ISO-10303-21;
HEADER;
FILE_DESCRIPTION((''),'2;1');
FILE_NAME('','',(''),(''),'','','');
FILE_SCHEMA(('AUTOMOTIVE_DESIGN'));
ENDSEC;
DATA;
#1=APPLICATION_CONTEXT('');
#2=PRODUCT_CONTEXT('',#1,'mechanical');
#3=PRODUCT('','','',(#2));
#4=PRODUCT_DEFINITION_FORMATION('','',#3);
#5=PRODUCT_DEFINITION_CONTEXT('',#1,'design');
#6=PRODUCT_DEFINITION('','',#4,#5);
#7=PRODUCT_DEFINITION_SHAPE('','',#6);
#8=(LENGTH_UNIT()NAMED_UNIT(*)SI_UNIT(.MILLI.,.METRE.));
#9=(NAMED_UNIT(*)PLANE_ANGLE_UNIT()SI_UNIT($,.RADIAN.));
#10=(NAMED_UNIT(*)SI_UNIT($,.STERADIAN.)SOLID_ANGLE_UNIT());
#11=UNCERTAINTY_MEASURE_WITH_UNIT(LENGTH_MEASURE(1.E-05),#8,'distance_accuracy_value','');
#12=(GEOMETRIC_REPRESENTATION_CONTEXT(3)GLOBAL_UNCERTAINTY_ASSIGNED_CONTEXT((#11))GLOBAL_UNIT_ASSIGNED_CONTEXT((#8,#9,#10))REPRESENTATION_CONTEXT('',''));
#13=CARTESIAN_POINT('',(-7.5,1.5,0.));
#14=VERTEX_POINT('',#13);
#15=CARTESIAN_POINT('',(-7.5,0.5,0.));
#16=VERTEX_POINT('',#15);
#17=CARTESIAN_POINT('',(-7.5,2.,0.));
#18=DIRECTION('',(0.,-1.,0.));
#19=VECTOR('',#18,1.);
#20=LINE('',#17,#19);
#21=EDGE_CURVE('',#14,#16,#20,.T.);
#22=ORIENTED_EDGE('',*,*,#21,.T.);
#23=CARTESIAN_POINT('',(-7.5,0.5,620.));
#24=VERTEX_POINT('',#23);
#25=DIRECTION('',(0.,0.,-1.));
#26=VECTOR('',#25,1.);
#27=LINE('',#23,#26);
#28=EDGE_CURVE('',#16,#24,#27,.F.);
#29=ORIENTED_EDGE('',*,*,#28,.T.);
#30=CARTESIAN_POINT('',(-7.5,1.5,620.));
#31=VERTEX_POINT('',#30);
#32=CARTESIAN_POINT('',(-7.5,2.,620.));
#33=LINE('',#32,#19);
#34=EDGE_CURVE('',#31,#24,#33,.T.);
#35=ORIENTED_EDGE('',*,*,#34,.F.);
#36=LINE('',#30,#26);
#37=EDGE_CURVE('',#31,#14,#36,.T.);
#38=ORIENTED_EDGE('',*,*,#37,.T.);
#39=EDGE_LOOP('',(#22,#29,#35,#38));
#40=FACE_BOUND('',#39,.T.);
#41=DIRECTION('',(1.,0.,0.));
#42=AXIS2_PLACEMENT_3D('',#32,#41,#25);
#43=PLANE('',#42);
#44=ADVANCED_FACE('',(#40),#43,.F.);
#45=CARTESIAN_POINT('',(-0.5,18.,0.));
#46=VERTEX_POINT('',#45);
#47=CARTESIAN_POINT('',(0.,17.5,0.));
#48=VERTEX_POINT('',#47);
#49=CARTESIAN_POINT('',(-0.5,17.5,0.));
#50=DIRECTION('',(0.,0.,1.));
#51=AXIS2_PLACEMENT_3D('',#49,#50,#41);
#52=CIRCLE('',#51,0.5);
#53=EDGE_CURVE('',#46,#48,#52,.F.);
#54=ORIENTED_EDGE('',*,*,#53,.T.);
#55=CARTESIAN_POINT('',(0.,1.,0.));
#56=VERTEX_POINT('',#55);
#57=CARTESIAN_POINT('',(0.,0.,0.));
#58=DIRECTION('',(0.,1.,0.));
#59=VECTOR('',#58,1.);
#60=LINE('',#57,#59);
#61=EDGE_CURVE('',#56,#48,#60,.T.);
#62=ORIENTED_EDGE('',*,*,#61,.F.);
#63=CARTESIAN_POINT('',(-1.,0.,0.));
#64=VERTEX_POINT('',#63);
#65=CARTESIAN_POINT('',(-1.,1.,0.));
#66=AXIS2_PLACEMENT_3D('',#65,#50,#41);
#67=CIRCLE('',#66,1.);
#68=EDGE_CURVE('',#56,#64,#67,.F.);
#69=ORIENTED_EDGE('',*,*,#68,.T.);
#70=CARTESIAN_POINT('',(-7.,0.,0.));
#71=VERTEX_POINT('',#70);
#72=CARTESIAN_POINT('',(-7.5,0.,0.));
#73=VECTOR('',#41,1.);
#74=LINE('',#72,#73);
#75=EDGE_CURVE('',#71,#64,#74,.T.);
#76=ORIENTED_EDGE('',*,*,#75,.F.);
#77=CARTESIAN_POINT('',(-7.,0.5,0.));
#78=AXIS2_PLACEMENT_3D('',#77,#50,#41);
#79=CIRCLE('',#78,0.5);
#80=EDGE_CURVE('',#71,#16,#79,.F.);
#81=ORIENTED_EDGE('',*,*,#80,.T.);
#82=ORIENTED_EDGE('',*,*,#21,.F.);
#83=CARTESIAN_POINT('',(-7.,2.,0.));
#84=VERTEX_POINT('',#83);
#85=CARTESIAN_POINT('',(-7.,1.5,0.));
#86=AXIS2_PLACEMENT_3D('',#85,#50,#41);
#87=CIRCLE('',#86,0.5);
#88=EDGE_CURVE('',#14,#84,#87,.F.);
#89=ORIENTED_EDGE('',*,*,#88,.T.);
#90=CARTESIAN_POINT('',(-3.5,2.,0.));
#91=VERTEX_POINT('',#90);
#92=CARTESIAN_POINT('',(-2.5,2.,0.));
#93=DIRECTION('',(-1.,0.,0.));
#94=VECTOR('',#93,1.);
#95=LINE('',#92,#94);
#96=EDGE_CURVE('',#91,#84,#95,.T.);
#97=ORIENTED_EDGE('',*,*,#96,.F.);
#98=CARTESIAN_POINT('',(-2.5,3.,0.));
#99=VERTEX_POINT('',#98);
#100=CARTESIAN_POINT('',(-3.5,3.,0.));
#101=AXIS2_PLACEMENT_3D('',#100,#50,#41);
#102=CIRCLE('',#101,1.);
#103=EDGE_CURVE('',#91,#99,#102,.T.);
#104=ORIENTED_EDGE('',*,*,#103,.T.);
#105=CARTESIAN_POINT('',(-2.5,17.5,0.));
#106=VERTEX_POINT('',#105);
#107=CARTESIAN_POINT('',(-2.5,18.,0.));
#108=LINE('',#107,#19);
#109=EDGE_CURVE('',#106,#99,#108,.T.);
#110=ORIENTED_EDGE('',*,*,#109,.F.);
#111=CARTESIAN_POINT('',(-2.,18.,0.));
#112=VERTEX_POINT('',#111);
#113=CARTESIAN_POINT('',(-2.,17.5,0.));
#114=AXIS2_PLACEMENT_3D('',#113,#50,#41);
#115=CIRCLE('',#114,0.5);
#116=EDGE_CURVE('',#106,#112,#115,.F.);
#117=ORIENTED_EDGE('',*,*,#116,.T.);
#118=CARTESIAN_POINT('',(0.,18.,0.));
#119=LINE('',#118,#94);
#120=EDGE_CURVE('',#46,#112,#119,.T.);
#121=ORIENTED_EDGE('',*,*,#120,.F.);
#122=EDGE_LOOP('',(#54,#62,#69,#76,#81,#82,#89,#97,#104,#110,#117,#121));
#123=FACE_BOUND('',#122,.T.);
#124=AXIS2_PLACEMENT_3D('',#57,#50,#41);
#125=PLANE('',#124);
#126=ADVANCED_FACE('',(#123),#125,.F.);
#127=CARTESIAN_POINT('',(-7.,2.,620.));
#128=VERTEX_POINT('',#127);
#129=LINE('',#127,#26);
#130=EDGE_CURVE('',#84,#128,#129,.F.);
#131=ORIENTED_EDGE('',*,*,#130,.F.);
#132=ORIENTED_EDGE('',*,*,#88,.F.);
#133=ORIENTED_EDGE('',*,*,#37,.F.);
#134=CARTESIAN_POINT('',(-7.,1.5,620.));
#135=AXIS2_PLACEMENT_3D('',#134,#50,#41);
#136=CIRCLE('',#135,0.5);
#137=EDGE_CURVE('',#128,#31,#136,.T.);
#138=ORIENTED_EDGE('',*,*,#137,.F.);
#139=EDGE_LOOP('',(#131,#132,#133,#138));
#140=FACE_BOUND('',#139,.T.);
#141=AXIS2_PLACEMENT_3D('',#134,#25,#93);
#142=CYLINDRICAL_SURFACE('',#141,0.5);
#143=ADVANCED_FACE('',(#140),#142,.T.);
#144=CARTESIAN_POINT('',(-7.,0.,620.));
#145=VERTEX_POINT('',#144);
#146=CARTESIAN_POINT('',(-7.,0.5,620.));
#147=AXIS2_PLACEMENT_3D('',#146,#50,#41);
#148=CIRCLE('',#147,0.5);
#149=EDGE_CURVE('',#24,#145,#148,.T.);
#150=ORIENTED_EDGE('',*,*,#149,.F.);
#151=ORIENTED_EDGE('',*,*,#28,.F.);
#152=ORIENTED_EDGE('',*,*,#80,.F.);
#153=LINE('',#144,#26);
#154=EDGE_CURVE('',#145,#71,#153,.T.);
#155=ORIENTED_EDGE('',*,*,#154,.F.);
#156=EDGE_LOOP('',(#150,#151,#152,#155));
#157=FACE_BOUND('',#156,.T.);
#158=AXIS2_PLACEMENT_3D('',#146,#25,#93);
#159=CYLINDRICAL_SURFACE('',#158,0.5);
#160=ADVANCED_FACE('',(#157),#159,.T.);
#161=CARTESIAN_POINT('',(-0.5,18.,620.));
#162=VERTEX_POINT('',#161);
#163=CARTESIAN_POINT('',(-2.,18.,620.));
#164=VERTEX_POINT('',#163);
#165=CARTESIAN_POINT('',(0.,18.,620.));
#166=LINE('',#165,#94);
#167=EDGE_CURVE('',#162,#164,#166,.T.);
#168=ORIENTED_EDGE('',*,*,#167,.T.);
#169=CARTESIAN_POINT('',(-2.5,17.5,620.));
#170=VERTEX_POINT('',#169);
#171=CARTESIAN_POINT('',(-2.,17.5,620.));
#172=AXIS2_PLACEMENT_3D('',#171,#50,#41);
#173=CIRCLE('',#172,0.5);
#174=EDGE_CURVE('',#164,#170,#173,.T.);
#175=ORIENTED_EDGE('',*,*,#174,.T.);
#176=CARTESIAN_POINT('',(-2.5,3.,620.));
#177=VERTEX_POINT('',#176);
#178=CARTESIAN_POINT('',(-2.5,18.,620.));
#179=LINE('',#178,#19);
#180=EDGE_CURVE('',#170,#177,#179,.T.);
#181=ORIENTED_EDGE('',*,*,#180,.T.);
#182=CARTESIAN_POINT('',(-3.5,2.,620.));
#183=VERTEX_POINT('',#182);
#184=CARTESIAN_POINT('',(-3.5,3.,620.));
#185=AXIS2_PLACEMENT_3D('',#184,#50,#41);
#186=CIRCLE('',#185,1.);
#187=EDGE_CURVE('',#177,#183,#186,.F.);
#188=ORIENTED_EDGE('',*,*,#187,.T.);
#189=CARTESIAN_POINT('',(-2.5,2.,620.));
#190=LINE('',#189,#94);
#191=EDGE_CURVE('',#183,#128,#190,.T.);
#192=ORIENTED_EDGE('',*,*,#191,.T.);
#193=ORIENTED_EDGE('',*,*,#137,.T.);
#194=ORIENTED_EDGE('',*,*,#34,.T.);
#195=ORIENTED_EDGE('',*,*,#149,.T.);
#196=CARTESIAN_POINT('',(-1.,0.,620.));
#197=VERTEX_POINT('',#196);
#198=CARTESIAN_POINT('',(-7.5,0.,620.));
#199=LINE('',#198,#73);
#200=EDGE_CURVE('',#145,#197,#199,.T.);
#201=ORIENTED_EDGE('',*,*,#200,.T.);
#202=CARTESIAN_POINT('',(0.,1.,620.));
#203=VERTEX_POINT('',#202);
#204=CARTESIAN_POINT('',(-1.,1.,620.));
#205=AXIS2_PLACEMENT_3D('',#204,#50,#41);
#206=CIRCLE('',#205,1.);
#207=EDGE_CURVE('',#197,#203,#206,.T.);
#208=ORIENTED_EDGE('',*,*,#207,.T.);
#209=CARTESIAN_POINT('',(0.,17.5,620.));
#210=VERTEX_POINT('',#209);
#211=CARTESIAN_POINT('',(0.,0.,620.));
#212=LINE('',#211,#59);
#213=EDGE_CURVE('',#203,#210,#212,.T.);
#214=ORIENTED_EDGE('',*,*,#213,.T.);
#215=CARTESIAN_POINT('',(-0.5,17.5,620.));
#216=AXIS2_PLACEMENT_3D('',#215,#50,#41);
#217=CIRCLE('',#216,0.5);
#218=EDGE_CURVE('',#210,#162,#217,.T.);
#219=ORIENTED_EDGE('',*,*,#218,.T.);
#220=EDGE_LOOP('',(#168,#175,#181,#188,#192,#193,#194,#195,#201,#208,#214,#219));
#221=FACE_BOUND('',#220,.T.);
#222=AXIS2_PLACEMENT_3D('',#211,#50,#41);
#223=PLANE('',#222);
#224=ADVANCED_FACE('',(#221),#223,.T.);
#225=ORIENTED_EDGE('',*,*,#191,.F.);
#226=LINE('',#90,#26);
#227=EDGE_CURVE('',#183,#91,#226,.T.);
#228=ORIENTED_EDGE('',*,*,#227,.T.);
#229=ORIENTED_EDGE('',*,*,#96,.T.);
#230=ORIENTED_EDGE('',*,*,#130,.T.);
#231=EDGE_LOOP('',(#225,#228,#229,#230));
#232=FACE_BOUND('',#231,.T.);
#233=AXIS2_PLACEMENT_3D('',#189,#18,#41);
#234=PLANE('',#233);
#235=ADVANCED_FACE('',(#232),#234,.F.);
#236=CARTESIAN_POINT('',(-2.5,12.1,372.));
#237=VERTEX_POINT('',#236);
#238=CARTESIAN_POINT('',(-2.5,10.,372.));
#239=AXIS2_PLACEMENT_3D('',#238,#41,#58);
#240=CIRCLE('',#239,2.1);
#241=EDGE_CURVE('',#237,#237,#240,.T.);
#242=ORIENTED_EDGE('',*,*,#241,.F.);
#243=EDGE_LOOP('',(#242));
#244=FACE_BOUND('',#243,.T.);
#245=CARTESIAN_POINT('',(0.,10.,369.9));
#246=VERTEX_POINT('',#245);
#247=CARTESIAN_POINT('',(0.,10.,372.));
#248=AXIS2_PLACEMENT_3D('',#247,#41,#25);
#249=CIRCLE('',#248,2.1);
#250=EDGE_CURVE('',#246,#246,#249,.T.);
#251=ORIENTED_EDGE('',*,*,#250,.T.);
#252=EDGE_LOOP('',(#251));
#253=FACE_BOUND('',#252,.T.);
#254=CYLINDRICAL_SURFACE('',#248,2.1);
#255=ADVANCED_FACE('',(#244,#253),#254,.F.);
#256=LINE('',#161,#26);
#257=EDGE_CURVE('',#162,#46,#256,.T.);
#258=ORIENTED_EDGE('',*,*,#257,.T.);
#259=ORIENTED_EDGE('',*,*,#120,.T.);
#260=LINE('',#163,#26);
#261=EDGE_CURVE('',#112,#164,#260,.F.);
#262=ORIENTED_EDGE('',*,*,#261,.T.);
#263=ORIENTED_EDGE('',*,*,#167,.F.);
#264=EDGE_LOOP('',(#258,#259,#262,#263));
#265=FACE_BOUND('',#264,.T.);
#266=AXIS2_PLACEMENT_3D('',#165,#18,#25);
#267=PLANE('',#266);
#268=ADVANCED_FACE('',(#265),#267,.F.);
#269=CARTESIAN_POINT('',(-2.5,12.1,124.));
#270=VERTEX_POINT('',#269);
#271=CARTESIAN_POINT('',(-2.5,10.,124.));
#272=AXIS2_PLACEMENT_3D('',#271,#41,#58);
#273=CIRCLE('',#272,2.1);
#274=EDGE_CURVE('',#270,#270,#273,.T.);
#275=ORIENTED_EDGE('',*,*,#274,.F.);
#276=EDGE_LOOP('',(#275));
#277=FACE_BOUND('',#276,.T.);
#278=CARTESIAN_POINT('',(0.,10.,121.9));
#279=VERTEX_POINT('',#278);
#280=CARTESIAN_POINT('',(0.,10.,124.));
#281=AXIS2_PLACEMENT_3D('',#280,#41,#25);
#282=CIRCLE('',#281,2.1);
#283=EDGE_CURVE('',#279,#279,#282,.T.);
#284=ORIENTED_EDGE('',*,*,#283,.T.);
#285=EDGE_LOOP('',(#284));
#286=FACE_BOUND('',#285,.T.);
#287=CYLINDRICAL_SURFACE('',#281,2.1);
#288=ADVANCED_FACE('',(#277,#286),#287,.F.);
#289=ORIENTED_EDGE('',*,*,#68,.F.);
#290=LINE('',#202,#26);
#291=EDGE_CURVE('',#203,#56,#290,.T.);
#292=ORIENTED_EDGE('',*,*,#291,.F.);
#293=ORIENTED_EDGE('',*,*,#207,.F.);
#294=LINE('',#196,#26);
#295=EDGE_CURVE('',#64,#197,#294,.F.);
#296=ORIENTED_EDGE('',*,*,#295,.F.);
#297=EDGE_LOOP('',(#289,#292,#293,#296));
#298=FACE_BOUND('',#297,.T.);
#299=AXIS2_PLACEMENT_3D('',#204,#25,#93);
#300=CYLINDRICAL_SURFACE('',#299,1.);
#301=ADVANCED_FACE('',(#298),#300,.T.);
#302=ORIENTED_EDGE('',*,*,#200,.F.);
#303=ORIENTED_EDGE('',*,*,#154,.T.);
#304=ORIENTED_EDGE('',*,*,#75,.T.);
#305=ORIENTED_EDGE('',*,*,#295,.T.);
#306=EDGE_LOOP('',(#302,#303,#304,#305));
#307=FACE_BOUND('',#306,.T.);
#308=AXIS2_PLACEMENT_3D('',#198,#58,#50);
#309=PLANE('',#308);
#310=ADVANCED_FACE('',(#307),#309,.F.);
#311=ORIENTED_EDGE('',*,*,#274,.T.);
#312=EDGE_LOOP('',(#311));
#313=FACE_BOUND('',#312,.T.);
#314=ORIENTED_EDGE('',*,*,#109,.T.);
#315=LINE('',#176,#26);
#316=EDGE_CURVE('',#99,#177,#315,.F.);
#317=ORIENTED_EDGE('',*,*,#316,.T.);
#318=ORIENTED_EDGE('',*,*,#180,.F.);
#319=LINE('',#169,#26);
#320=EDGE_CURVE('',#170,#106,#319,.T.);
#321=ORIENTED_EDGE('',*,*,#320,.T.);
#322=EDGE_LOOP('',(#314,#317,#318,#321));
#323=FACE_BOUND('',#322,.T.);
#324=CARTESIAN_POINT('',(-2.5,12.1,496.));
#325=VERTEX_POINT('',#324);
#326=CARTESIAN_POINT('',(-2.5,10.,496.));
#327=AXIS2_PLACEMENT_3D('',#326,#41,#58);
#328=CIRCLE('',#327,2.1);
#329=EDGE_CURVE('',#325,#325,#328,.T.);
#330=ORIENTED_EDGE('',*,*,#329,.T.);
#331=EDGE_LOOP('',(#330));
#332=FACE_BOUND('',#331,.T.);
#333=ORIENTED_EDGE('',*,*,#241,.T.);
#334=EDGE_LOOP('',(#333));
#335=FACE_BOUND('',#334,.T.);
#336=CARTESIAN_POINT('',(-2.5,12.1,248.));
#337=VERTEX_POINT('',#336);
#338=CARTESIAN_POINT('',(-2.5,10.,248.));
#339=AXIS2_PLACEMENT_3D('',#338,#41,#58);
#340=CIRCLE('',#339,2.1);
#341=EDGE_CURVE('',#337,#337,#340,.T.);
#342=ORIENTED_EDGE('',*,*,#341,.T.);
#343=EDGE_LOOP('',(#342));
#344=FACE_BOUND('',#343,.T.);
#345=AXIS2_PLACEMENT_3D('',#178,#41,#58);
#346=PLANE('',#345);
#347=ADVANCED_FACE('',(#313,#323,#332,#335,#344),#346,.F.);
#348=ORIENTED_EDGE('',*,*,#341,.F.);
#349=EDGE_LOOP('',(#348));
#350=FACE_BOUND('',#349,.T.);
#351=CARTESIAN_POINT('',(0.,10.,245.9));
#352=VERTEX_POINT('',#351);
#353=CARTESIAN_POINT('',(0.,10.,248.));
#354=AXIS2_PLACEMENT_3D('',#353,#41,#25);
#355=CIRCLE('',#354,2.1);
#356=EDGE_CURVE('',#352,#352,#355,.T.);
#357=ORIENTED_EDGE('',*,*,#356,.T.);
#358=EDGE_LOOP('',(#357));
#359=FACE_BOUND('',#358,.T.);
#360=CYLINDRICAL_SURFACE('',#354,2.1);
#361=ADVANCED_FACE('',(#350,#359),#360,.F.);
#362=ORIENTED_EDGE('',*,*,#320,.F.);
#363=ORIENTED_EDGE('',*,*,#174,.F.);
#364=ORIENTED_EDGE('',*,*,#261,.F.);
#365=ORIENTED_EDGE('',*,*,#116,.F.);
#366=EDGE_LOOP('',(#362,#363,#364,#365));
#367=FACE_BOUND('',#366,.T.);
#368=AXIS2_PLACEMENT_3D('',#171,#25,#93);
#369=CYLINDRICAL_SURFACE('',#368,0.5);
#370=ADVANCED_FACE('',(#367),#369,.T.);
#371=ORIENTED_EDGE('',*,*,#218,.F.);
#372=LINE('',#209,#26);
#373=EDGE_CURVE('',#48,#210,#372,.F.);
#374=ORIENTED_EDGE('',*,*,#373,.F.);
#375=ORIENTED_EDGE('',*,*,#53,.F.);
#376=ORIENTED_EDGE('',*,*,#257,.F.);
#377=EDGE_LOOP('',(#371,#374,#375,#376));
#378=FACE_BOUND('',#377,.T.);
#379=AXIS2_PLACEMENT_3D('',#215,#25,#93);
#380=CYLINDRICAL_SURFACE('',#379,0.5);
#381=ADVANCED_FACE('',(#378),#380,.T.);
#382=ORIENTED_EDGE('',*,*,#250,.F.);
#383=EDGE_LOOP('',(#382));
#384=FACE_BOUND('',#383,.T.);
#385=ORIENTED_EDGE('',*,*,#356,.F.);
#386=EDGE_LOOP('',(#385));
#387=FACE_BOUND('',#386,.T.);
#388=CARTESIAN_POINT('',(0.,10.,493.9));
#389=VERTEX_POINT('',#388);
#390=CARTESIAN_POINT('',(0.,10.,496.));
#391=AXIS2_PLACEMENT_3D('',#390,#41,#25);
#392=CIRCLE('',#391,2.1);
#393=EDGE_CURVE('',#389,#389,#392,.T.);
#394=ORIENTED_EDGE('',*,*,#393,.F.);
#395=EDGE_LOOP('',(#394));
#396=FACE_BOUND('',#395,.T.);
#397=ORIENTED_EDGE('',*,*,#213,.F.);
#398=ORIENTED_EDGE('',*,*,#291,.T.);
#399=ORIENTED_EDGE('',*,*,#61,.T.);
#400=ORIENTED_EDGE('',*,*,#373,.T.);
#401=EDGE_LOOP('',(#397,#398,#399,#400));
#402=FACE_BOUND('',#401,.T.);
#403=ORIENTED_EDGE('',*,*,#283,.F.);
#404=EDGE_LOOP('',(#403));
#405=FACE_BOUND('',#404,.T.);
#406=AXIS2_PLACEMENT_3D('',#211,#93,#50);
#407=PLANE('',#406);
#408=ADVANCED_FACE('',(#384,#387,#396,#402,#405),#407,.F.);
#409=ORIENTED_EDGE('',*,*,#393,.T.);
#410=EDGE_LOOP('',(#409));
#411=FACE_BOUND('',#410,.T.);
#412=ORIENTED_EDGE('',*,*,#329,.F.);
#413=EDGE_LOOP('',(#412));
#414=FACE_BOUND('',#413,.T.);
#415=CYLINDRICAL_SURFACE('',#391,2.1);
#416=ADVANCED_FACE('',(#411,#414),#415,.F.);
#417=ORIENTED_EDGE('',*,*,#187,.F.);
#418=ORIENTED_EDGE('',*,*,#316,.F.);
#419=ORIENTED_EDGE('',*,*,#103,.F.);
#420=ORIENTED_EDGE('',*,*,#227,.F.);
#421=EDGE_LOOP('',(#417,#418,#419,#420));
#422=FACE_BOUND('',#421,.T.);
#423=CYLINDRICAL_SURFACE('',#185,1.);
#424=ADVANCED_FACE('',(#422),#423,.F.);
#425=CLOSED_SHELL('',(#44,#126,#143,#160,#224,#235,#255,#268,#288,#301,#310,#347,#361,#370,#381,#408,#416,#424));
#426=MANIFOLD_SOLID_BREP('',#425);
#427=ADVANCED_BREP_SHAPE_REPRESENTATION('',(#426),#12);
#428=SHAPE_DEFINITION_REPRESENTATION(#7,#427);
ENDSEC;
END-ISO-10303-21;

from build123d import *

# Parameters (mm, degrees)
EXTRUDE_1_DEPTH    = 620
HOLE_WIZARD_M5_1_D = 4.2
FILLET_1_R         = 1
FILLET_2_R         = 0.5


with BuildPart() as part:
    # 草图1 → 凸台-拉伸1 (new body)
    with BuildSketch(Plane.XY):
        Polygon((0, 0), (0, 18), (-2.5, 18), (-2.5, 2), (-7.5, 2), (-7.5, 0), align=None)
    extrude(amount=EXTRUDE_1_DEPTH)

    # M5 螺纹孔1 (through all)
    with Locations(Plane(origin=(0, 0, 0), x_dir=(0, 0, -1), z_dir=(1, 0, 0))):
        with Locations((-496, 10), (-372, 10), (-248, 10), (-124, 10)):
            Hole(HOLE_WIZARD_M5_1_D / 2)

    # 圆角1
    fillet_1_edges = [part.edges().sort_by_distance(p)[0] for p in [
        (-2.5, 2, 310),
        (0, 0, 310),
    ]]
    fillet(fillet_1_edges, radius=FILLET_1_R)

    # 圆角2
    fillet_2_edges = [part.edges().sort_by_distance(p)[0] for p in [
        (-7.5, 0, 310),
        (-7.5, 2, 310),
        (-2.5, 18, 310),
        (0, 18, 310),
    ]]
    fillet(fillet_2_edges, radius=FILLET_2_R)


solid = part.part
